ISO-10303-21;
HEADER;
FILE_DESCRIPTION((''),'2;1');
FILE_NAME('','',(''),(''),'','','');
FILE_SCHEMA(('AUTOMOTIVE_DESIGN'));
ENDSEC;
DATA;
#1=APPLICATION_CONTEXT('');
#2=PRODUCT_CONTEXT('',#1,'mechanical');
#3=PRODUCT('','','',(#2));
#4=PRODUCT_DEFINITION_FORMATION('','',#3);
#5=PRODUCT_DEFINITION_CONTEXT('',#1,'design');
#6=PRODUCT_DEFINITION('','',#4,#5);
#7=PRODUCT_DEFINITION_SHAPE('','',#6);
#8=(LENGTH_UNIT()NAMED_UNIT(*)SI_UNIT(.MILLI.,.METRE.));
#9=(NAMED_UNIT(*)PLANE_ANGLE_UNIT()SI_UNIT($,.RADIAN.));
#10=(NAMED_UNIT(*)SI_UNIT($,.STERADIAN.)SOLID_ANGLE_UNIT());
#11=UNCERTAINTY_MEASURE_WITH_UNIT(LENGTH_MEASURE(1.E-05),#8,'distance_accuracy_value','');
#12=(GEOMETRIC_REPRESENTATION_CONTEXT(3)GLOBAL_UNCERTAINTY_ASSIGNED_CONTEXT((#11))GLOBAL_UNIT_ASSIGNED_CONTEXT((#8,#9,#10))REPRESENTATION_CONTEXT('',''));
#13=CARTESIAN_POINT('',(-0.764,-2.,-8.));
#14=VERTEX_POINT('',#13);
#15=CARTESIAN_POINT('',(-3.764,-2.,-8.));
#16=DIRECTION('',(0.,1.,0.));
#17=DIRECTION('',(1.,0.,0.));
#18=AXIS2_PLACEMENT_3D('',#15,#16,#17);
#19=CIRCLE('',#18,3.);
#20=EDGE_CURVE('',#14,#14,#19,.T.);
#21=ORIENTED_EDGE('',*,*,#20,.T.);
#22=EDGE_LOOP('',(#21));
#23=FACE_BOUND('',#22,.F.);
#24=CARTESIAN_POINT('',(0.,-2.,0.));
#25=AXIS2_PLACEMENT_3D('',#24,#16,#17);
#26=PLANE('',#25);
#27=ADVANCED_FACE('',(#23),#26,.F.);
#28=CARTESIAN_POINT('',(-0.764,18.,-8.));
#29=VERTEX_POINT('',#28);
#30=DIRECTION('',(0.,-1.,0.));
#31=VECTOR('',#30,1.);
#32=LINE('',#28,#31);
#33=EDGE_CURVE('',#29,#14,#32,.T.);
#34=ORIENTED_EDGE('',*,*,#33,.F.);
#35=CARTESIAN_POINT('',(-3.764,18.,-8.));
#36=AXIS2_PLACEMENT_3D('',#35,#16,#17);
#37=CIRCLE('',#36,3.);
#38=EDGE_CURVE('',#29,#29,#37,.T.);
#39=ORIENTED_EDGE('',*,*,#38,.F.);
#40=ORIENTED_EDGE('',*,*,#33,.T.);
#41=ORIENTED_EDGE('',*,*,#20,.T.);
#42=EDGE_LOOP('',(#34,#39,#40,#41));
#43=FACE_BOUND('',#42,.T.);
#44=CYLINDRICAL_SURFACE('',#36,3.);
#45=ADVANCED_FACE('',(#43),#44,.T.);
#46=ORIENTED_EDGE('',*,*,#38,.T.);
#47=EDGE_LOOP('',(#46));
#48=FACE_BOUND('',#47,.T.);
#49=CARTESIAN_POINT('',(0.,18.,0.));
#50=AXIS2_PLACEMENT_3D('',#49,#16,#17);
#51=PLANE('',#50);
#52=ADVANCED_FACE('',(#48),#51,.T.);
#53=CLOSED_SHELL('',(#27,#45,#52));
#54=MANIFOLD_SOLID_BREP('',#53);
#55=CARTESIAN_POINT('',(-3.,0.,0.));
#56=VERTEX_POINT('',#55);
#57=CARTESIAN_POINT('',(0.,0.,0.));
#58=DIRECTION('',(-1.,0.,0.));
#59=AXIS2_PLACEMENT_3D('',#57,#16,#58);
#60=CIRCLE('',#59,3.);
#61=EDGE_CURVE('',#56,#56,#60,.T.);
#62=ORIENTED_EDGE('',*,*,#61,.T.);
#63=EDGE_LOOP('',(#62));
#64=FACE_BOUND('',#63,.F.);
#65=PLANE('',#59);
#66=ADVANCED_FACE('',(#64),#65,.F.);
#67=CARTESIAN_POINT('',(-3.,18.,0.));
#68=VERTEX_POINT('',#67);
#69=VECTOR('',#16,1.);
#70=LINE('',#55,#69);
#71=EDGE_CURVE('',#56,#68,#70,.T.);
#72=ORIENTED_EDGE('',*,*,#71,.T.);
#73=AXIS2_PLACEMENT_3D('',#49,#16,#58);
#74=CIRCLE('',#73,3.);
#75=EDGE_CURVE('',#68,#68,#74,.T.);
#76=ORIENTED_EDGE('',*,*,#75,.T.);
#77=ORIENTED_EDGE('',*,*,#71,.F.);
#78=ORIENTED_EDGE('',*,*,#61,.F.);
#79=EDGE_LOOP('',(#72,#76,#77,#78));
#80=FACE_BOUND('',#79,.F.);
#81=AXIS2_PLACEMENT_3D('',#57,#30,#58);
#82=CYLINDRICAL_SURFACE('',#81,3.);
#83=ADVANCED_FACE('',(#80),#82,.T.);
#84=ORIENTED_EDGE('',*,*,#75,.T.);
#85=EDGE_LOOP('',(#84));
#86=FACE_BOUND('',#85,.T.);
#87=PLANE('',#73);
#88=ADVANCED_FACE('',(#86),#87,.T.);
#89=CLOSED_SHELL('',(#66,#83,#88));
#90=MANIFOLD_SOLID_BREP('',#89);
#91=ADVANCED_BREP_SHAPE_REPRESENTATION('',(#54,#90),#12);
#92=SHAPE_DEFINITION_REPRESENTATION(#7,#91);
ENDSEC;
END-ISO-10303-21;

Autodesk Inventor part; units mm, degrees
ref_plane "YZ Plane" through (0, 0, 0) normal (1, 0, 0) x (0, 1, 0)
ref_plane "XZ Plane" through (0, 0, 0) normal (0, 1, 0) x (-1, 0, 0)
ref_plane "XY Plane" through (0, 0, 0) normal (0, 0, 1) x (1, 0, 0)
sketch "스케치1" plane through (0, 0, 0) normal (0, 1, 0) x (-1, 0, 0)
  circle A0 centre (0, 0) radius 3
  dimension "d0" = 6
extrude "돌출1" add sketch "스케치1" along normal blind 18
sketch "스케치2" plane through (0, 18, 0) normal (0, 1, 0) x (1, 0, 0)
  circle A0 centre (-3.764, 8) radius 3
  point P0 (0, 0)
  dimension "d3" = 6
  dimension "d4" = 8
extrude "돌출2" add sketch "스케치2" against normal blind 20
properties part number "chook"
